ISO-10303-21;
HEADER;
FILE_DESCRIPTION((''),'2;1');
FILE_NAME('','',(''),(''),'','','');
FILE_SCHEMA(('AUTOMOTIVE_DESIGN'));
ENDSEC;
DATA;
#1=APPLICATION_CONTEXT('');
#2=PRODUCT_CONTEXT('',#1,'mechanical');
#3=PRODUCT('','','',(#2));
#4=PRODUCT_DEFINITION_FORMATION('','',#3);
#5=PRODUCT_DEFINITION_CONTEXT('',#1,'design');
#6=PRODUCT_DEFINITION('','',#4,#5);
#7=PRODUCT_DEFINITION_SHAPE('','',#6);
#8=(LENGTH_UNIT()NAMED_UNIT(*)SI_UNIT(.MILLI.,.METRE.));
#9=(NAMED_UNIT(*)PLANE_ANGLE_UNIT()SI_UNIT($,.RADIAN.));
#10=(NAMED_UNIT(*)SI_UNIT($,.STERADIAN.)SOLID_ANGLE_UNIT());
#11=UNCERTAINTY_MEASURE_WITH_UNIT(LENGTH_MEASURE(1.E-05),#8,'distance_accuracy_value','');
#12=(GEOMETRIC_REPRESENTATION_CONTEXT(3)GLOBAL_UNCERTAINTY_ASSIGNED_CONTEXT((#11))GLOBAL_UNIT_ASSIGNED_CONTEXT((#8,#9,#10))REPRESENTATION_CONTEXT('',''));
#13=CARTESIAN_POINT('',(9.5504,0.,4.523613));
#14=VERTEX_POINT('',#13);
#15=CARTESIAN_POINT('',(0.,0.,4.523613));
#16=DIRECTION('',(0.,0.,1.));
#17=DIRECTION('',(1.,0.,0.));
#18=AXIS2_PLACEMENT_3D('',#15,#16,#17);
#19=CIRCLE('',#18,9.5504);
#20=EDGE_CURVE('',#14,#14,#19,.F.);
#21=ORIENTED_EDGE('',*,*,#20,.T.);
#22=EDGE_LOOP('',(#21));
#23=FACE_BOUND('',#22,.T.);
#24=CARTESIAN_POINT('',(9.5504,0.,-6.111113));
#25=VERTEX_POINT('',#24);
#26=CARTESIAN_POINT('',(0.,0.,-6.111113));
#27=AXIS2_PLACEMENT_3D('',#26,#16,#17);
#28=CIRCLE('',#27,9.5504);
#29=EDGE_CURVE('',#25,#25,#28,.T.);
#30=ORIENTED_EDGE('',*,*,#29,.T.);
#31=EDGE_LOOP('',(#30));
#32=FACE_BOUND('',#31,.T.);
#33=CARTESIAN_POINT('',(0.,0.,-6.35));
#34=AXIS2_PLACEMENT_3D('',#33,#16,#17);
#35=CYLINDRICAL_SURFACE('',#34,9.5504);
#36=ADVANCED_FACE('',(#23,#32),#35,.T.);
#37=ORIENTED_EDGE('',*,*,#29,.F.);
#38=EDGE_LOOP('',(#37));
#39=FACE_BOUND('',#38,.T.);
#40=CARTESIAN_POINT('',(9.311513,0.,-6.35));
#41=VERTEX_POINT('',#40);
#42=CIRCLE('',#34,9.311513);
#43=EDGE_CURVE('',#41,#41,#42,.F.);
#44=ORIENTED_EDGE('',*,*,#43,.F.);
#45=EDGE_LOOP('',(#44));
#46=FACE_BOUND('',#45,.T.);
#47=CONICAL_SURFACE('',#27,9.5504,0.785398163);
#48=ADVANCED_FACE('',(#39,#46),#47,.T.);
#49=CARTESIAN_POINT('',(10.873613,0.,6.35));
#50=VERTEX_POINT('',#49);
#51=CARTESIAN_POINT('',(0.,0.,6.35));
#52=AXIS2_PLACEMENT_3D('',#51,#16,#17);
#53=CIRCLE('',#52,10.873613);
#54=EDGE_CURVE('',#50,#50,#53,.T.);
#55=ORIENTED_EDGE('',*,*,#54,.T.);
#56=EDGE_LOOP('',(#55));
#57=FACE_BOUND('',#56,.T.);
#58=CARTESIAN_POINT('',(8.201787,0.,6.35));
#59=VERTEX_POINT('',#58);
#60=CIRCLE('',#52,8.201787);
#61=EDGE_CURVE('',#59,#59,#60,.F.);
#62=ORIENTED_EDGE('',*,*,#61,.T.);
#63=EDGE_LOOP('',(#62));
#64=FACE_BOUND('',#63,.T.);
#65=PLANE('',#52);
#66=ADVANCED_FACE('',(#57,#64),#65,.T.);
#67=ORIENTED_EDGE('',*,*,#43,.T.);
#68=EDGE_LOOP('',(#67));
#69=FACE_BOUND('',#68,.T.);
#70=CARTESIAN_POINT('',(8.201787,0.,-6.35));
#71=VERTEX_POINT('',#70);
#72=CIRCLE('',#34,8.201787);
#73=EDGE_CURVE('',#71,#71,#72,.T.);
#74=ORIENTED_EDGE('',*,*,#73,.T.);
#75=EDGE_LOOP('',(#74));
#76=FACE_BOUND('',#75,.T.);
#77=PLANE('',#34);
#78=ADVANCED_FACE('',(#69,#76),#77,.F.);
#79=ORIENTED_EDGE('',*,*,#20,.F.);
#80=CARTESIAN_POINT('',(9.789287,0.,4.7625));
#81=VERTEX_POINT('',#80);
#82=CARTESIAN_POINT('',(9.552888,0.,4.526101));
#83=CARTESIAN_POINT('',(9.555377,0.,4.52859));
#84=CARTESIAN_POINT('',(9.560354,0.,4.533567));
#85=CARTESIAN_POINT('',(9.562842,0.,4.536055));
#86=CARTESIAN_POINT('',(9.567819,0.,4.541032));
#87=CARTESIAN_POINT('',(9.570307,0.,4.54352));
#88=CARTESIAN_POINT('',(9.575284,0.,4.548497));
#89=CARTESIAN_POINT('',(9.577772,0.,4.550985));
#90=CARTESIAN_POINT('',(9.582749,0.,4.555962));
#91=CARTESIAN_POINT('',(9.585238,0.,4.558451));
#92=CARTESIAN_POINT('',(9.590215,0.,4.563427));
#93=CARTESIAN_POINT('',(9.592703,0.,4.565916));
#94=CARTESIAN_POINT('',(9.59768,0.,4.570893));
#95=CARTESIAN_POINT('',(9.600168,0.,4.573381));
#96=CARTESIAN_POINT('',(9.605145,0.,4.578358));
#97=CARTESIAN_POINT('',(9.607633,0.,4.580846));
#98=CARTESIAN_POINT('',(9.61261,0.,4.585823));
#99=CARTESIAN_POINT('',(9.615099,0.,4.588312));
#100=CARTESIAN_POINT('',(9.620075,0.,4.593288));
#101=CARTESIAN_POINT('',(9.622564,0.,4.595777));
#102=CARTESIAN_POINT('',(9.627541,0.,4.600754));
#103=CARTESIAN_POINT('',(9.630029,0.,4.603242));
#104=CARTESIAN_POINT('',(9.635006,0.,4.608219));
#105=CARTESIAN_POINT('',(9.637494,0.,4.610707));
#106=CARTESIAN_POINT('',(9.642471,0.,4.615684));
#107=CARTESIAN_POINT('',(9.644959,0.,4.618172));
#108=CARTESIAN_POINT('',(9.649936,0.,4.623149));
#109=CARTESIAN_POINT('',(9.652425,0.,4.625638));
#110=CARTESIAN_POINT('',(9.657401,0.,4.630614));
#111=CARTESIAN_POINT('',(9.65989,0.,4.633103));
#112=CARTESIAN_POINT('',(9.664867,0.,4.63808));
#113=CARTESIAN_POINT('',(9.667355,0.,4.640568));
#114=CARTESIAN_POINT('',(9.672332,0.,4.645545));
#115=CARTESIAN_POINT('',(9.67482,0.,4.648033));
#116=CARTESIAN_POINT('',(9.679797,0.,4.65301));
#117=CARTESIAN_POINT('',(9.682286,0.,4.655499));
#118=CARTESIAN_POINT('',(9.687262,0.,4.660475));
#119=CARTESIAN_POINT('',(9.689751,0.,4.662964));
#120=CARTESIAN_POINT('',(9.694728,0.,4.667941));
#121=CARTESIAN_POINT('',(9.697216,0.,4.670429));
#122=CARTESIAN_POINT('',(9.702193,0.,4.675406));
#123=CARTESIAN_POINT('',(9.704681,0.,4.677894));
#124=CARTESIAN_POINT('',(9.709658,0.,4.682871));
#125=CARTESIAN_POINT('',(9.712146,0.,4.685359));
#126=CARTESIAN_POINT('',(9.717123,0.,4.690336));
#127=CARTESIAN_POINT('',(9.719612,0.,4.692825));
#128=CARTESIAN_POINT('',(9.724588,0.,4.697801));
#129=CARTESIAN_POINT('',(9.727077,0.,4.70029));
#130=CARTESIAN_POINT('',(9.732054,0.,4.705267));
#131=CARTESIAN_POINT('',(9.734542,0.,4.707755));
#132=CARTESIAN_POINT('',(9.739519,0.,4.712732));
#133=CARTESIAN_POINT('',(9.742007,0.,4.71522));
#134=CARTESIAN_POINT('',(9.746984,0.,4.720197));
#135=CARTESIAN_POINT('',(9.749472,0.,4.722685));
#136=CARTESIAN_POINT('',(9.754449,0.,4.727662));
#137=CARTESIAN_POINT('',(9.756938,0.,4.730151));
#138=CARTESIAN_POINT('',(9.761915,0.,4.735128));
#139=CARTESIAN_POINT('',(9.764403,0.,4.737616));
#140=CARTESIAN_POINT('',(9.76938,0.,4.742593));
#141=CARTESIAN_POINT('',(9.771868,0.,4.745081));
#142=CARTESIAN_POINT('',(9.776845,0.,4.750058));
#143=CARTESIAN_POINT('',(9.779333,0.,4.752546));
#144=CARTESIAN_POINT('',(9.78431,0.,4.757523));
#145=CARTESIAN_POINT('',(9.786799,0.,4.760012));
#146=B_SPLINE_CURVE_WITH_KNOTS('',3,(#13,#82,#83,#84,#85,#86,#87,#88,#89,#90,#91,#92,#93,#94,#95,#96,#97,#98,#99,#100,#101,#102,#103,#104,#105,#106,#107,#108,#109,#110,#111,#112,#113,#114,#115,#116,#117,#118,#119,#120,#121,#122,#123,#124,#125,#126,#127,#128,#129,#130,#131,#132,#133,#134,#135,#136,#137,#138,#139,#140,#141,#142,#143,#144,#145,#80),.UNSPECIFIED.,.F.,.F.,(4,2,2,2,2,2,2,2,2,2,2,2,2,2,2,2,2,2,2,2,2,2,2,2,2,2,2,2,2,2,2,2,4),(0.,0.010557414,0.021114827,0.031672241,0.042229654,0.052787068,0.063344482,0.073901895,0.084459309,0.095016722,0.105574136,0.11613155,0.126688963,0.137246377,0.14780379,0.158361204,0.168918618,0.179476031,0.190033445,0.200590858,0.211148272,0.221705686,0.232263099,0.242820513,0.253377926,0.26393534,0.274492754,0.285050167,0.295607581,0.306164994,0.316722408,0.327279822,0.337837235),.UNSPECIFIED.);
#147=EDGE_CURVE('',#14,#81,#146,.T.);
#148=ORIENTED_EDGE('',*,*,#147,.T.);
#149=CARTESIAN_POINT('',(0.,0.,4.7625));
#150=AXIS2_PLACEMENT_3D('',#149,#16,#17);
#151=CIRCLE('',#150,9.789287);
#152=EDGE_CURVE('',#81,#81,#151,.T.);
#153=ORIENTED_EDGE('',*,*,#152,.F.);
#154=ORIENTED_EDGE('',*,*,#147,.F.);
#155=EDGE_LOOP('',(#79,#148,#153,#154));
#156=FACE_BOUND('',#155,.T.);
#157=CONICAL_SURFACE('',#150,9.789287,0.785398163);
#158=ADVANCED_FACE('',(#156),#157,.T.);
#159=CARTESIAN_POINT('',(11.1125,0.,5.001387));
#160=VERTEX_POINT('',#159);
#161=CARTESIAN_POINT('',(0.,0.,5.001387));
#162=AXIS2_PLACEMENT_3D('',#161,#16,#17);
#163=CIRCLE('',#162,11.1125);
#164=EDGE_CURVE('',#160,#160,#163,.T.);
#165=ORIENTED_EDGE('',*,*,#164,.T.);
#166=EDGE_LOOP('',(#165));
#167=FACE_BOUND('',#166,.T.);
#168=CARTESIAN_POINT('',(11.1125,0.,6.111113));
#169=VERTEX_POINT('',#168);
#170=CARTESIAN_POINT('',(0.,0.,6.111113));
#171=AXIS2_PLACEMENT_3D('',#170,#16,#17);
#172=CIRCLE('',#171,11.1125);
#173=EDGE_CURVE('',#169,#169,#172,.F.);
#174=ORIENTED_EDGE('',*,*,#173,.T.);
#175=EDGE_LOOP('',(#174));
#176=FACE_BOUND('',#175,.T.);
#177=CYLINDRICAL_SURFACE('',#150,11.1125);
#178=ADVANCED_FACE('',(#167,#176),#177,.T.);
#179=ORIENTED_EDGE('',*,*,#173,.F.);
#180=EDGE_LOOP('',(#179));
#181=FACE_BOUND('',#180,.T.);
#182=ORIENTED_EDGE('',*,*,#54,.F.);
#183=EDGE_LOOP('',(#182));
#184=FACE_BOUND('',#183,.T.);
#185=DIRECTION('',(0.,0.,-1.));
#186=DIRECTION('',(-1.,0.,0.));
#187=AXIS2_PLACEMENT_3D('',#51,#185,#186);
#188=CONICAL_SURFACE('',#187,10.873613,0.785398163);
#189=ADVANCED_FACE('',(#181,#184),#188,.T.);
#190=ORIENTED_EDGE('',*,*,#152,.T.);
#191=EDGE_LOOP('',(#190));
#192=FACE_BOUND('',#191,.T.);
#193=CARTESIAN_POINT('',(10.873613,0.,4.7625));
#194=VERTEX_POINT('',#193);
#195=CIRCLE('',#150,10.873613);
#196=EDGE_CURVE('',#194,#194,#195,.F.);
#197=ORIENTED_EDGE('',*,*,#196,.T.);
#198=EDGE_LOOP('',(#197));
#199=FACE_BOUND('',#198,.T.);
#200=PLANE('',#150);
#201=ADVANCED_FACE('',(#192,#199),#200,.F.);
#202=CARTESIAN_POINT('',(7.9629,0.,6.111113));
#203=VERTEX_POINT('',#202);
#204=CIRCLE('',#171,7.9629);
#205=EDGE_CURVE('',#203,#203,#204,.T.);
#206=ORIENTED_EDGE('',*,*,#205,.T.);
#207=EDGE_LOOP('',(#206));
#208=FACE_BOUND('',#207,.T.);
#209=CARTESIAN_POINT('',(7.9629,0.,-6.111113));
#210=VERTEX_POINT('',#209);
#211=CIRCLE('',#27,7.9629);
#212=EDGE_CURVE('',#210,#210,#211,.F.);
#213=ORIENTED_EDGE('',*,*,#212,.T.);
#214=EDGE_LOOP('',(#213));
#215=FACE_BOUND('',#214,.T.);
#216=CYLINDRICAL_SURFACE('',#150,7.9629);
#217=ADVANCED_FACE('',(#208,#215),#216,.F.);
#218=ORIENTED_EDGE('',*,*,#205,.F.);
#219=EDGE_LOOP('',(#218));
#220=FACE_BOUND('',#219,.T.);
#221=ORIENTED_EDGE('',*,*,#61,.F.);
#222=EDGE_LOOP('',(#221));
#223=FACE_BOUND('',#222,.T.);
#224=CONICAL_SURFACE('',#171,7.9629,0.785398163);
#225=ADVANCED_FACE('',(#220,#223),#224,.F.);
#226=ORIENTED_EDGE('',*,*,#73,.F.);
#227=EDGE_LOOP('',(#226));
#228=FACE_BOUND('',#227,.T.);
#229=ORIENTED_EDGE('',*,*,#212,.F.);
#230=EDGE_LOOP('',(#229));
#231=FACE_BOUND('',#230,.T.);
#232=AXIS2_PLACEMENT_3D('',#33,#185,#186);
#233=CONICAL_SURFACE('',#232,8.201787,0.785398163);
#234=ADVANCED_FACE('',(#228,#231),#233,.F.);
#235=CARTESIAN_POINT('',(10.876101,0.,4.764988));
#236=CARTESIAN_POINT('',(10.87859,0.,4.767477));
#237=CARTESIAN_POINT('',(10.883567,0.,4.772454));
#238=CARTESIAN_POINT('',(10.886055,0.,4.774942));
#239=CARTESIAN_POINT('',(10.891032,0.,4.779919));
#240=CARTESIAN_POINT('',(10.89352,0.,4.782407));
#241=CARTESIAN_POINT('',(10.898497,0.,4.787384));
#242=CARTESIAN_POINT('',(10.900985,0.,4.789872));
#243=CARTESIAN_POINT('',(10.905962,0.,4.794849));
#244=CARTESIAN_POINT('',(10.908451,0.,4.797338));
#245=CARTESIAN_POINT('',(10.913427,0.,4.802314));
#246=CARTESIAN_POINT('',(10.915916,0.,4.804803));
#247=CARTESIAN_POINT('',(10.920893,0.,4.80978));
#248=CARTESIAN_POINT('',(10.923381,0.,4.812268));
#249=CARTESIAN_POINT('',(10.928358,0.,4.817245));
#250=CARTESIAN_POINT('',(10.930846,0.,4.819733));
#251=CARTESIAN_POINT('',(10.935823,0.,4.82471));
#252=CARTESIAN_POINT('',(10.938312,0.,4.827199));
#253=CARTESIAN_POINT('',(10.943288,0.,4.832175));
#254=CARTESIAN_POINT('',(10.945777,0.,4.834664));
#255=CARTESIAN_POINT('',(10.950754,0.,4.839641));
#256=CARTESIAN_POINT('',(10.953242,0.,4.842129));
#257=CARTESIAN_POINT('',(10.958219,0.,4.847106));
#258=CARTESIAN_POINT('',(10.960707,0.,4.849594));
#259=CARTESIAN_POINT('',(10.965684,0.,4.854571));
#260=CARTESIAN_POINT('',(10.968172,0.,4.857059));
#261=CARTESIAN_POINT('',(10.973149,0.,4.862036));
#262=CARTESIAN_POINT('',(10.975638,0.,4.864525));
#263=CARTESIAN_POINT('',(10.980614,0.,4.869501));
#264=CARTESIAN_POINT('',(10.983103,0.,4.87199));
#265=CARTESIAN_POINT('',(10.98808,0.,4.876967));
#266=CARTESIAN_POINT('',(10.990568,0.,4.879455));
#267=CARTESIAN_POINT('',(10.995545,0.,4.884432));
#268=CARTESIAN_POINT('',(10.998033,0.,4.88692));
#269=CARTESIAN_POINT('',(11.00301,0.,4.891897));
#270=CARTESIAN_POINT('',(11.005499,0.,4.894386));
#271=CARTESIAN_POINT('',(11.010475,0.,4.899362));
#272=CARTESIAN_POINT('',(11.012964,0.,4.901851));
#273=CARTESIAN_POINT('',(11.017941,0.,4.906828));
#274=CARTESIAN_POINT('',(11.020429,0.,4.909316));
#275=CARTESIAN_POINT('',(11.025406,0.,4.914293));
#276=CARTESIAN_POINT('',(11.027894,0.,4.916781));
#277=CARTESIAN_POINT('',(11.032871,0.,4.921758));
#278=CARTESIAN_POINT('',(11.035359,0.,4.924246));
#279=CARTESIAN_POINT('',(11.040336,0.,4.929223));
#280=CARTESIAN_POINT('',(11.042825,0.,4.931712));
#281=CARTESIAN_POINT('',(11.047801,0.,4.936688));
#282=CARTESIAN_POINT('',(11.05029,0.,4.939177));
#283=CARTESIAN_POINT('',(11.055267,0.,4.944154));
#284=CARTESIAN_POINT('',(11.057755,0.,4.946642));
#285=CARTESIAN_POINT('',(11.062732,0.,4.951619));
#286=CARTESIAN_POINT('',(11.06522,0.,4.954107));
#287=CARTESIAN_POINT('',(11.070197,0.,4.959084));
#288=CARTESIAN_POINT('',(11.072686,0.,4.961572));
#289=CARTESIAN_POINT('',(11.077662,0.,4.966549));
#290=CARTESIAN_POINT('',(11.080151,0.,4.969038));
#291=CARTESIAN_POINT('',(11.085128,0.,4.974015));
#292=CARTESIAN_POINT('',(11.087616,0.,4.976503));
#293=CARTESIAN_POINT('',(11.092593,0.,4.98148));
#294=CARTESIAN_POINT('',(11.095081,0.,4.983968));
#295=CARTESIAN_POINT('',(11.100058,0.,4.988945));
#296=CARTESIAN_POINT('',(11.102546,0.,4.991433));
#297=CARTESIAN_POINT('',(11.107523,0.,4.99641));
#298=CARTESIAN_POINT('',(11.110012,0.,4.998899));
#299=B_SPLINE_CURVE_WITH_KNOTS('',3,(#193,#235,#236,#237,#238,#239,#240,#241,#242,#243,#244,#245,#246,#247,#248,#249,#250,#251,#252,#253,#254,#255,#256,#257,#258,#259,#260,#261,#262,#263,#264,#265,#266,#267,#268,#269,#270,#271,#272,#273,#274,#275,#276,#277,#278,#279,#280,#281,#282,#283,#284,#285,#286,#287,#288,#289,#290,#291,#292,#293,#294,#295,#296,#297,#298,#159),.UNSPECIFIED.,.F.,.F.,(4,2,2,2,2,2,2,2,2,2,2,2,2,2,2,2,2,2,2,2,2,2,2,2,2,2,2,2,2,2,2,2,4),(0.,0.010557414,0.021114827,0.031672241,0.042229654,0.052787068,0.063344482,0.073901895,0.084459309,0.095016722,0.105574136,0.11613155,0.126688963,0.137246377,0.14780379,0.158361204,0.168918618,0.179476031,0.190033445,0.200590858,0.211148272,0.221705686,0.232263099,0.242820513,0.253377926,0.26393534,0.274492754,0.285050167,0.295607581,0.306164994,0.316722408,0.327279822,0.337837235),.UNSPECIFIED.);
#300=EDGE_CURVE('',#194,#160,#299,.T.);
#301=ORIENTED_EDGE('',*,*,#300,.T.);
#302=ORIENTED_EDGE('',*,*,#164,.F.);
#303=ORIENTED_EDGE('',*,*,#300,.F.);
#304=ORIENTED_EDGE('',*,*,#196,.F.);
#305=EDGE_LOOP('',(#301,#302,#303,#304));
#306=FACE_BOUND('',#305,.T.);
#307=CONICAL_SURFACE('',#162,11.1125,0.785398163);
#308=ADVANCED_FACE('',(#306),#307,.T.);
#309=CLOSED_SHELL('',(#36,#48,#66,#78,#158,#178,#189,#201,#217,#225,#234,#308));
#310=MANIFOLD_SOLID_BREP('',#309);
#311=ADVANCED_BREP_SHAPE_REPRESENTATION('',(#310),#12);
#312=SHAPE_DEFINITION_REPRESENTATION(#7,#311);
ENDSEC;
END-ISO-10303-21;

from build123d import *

# Parameters (mm, degrees)
BOSS_EXTRUDE1_START = 6.35
SKETCH3_R           = 11.1125
SKETCH3_R_2         = 7.9629
BOSS_EXTRUDE1_DEPTH = 1.5875
BOSS_EXTRUDE2_START = 4.7625
SKETCH4_R           = 9.5504
SKETCH4_R_2         = 7.9629
BOSS_EXTRUDE2_DEPTH = 11.1125
CHAMFER1_SIZE       = 0.238887


with BuildPart() as part:
    # Sketch3 → Boss-Extrude1 (new body)
    with BuildSketch(Plane.XY.offset(BOSS_EXTRUDE1_START)):
        Circle(SKETCH3_R)
        Circle(SKETCH3_R_2, mode=Mode.SUBTRACT)
    extrude(amount=-BOSS_EXTRUDE1_DEPTH)

    # Sketch4 → Boss-Extrude2 (add)
    with BuildSketch(Plane.XY.offset(BOSS_EXTRUDE2_START)):
        Circle(SKETCH4_R)
        Circle(SKETCH4_R_2, mode=Mode.SUBTRACT)
    extrude(amount=-BOSS_EXTRUDE2_DEPTH)

    # Chamfer1
    chamfer1_edges = [part.edges().sort_by_distance(p)[0] for p in [
        (-7.9629, 0, -6.35),
        (-9.5504, 0, 4.7625),
        (-11.1125, 0, 6.35),
        (-11.1125, 0, 4.7625),
        (-7.9629, 0, 6.35),
        (-9.5504, 0, -6.35),
    ]]
    chamfer(chamfer1_edges, length=CHAMFER1_SIZE)


solid = part.part
